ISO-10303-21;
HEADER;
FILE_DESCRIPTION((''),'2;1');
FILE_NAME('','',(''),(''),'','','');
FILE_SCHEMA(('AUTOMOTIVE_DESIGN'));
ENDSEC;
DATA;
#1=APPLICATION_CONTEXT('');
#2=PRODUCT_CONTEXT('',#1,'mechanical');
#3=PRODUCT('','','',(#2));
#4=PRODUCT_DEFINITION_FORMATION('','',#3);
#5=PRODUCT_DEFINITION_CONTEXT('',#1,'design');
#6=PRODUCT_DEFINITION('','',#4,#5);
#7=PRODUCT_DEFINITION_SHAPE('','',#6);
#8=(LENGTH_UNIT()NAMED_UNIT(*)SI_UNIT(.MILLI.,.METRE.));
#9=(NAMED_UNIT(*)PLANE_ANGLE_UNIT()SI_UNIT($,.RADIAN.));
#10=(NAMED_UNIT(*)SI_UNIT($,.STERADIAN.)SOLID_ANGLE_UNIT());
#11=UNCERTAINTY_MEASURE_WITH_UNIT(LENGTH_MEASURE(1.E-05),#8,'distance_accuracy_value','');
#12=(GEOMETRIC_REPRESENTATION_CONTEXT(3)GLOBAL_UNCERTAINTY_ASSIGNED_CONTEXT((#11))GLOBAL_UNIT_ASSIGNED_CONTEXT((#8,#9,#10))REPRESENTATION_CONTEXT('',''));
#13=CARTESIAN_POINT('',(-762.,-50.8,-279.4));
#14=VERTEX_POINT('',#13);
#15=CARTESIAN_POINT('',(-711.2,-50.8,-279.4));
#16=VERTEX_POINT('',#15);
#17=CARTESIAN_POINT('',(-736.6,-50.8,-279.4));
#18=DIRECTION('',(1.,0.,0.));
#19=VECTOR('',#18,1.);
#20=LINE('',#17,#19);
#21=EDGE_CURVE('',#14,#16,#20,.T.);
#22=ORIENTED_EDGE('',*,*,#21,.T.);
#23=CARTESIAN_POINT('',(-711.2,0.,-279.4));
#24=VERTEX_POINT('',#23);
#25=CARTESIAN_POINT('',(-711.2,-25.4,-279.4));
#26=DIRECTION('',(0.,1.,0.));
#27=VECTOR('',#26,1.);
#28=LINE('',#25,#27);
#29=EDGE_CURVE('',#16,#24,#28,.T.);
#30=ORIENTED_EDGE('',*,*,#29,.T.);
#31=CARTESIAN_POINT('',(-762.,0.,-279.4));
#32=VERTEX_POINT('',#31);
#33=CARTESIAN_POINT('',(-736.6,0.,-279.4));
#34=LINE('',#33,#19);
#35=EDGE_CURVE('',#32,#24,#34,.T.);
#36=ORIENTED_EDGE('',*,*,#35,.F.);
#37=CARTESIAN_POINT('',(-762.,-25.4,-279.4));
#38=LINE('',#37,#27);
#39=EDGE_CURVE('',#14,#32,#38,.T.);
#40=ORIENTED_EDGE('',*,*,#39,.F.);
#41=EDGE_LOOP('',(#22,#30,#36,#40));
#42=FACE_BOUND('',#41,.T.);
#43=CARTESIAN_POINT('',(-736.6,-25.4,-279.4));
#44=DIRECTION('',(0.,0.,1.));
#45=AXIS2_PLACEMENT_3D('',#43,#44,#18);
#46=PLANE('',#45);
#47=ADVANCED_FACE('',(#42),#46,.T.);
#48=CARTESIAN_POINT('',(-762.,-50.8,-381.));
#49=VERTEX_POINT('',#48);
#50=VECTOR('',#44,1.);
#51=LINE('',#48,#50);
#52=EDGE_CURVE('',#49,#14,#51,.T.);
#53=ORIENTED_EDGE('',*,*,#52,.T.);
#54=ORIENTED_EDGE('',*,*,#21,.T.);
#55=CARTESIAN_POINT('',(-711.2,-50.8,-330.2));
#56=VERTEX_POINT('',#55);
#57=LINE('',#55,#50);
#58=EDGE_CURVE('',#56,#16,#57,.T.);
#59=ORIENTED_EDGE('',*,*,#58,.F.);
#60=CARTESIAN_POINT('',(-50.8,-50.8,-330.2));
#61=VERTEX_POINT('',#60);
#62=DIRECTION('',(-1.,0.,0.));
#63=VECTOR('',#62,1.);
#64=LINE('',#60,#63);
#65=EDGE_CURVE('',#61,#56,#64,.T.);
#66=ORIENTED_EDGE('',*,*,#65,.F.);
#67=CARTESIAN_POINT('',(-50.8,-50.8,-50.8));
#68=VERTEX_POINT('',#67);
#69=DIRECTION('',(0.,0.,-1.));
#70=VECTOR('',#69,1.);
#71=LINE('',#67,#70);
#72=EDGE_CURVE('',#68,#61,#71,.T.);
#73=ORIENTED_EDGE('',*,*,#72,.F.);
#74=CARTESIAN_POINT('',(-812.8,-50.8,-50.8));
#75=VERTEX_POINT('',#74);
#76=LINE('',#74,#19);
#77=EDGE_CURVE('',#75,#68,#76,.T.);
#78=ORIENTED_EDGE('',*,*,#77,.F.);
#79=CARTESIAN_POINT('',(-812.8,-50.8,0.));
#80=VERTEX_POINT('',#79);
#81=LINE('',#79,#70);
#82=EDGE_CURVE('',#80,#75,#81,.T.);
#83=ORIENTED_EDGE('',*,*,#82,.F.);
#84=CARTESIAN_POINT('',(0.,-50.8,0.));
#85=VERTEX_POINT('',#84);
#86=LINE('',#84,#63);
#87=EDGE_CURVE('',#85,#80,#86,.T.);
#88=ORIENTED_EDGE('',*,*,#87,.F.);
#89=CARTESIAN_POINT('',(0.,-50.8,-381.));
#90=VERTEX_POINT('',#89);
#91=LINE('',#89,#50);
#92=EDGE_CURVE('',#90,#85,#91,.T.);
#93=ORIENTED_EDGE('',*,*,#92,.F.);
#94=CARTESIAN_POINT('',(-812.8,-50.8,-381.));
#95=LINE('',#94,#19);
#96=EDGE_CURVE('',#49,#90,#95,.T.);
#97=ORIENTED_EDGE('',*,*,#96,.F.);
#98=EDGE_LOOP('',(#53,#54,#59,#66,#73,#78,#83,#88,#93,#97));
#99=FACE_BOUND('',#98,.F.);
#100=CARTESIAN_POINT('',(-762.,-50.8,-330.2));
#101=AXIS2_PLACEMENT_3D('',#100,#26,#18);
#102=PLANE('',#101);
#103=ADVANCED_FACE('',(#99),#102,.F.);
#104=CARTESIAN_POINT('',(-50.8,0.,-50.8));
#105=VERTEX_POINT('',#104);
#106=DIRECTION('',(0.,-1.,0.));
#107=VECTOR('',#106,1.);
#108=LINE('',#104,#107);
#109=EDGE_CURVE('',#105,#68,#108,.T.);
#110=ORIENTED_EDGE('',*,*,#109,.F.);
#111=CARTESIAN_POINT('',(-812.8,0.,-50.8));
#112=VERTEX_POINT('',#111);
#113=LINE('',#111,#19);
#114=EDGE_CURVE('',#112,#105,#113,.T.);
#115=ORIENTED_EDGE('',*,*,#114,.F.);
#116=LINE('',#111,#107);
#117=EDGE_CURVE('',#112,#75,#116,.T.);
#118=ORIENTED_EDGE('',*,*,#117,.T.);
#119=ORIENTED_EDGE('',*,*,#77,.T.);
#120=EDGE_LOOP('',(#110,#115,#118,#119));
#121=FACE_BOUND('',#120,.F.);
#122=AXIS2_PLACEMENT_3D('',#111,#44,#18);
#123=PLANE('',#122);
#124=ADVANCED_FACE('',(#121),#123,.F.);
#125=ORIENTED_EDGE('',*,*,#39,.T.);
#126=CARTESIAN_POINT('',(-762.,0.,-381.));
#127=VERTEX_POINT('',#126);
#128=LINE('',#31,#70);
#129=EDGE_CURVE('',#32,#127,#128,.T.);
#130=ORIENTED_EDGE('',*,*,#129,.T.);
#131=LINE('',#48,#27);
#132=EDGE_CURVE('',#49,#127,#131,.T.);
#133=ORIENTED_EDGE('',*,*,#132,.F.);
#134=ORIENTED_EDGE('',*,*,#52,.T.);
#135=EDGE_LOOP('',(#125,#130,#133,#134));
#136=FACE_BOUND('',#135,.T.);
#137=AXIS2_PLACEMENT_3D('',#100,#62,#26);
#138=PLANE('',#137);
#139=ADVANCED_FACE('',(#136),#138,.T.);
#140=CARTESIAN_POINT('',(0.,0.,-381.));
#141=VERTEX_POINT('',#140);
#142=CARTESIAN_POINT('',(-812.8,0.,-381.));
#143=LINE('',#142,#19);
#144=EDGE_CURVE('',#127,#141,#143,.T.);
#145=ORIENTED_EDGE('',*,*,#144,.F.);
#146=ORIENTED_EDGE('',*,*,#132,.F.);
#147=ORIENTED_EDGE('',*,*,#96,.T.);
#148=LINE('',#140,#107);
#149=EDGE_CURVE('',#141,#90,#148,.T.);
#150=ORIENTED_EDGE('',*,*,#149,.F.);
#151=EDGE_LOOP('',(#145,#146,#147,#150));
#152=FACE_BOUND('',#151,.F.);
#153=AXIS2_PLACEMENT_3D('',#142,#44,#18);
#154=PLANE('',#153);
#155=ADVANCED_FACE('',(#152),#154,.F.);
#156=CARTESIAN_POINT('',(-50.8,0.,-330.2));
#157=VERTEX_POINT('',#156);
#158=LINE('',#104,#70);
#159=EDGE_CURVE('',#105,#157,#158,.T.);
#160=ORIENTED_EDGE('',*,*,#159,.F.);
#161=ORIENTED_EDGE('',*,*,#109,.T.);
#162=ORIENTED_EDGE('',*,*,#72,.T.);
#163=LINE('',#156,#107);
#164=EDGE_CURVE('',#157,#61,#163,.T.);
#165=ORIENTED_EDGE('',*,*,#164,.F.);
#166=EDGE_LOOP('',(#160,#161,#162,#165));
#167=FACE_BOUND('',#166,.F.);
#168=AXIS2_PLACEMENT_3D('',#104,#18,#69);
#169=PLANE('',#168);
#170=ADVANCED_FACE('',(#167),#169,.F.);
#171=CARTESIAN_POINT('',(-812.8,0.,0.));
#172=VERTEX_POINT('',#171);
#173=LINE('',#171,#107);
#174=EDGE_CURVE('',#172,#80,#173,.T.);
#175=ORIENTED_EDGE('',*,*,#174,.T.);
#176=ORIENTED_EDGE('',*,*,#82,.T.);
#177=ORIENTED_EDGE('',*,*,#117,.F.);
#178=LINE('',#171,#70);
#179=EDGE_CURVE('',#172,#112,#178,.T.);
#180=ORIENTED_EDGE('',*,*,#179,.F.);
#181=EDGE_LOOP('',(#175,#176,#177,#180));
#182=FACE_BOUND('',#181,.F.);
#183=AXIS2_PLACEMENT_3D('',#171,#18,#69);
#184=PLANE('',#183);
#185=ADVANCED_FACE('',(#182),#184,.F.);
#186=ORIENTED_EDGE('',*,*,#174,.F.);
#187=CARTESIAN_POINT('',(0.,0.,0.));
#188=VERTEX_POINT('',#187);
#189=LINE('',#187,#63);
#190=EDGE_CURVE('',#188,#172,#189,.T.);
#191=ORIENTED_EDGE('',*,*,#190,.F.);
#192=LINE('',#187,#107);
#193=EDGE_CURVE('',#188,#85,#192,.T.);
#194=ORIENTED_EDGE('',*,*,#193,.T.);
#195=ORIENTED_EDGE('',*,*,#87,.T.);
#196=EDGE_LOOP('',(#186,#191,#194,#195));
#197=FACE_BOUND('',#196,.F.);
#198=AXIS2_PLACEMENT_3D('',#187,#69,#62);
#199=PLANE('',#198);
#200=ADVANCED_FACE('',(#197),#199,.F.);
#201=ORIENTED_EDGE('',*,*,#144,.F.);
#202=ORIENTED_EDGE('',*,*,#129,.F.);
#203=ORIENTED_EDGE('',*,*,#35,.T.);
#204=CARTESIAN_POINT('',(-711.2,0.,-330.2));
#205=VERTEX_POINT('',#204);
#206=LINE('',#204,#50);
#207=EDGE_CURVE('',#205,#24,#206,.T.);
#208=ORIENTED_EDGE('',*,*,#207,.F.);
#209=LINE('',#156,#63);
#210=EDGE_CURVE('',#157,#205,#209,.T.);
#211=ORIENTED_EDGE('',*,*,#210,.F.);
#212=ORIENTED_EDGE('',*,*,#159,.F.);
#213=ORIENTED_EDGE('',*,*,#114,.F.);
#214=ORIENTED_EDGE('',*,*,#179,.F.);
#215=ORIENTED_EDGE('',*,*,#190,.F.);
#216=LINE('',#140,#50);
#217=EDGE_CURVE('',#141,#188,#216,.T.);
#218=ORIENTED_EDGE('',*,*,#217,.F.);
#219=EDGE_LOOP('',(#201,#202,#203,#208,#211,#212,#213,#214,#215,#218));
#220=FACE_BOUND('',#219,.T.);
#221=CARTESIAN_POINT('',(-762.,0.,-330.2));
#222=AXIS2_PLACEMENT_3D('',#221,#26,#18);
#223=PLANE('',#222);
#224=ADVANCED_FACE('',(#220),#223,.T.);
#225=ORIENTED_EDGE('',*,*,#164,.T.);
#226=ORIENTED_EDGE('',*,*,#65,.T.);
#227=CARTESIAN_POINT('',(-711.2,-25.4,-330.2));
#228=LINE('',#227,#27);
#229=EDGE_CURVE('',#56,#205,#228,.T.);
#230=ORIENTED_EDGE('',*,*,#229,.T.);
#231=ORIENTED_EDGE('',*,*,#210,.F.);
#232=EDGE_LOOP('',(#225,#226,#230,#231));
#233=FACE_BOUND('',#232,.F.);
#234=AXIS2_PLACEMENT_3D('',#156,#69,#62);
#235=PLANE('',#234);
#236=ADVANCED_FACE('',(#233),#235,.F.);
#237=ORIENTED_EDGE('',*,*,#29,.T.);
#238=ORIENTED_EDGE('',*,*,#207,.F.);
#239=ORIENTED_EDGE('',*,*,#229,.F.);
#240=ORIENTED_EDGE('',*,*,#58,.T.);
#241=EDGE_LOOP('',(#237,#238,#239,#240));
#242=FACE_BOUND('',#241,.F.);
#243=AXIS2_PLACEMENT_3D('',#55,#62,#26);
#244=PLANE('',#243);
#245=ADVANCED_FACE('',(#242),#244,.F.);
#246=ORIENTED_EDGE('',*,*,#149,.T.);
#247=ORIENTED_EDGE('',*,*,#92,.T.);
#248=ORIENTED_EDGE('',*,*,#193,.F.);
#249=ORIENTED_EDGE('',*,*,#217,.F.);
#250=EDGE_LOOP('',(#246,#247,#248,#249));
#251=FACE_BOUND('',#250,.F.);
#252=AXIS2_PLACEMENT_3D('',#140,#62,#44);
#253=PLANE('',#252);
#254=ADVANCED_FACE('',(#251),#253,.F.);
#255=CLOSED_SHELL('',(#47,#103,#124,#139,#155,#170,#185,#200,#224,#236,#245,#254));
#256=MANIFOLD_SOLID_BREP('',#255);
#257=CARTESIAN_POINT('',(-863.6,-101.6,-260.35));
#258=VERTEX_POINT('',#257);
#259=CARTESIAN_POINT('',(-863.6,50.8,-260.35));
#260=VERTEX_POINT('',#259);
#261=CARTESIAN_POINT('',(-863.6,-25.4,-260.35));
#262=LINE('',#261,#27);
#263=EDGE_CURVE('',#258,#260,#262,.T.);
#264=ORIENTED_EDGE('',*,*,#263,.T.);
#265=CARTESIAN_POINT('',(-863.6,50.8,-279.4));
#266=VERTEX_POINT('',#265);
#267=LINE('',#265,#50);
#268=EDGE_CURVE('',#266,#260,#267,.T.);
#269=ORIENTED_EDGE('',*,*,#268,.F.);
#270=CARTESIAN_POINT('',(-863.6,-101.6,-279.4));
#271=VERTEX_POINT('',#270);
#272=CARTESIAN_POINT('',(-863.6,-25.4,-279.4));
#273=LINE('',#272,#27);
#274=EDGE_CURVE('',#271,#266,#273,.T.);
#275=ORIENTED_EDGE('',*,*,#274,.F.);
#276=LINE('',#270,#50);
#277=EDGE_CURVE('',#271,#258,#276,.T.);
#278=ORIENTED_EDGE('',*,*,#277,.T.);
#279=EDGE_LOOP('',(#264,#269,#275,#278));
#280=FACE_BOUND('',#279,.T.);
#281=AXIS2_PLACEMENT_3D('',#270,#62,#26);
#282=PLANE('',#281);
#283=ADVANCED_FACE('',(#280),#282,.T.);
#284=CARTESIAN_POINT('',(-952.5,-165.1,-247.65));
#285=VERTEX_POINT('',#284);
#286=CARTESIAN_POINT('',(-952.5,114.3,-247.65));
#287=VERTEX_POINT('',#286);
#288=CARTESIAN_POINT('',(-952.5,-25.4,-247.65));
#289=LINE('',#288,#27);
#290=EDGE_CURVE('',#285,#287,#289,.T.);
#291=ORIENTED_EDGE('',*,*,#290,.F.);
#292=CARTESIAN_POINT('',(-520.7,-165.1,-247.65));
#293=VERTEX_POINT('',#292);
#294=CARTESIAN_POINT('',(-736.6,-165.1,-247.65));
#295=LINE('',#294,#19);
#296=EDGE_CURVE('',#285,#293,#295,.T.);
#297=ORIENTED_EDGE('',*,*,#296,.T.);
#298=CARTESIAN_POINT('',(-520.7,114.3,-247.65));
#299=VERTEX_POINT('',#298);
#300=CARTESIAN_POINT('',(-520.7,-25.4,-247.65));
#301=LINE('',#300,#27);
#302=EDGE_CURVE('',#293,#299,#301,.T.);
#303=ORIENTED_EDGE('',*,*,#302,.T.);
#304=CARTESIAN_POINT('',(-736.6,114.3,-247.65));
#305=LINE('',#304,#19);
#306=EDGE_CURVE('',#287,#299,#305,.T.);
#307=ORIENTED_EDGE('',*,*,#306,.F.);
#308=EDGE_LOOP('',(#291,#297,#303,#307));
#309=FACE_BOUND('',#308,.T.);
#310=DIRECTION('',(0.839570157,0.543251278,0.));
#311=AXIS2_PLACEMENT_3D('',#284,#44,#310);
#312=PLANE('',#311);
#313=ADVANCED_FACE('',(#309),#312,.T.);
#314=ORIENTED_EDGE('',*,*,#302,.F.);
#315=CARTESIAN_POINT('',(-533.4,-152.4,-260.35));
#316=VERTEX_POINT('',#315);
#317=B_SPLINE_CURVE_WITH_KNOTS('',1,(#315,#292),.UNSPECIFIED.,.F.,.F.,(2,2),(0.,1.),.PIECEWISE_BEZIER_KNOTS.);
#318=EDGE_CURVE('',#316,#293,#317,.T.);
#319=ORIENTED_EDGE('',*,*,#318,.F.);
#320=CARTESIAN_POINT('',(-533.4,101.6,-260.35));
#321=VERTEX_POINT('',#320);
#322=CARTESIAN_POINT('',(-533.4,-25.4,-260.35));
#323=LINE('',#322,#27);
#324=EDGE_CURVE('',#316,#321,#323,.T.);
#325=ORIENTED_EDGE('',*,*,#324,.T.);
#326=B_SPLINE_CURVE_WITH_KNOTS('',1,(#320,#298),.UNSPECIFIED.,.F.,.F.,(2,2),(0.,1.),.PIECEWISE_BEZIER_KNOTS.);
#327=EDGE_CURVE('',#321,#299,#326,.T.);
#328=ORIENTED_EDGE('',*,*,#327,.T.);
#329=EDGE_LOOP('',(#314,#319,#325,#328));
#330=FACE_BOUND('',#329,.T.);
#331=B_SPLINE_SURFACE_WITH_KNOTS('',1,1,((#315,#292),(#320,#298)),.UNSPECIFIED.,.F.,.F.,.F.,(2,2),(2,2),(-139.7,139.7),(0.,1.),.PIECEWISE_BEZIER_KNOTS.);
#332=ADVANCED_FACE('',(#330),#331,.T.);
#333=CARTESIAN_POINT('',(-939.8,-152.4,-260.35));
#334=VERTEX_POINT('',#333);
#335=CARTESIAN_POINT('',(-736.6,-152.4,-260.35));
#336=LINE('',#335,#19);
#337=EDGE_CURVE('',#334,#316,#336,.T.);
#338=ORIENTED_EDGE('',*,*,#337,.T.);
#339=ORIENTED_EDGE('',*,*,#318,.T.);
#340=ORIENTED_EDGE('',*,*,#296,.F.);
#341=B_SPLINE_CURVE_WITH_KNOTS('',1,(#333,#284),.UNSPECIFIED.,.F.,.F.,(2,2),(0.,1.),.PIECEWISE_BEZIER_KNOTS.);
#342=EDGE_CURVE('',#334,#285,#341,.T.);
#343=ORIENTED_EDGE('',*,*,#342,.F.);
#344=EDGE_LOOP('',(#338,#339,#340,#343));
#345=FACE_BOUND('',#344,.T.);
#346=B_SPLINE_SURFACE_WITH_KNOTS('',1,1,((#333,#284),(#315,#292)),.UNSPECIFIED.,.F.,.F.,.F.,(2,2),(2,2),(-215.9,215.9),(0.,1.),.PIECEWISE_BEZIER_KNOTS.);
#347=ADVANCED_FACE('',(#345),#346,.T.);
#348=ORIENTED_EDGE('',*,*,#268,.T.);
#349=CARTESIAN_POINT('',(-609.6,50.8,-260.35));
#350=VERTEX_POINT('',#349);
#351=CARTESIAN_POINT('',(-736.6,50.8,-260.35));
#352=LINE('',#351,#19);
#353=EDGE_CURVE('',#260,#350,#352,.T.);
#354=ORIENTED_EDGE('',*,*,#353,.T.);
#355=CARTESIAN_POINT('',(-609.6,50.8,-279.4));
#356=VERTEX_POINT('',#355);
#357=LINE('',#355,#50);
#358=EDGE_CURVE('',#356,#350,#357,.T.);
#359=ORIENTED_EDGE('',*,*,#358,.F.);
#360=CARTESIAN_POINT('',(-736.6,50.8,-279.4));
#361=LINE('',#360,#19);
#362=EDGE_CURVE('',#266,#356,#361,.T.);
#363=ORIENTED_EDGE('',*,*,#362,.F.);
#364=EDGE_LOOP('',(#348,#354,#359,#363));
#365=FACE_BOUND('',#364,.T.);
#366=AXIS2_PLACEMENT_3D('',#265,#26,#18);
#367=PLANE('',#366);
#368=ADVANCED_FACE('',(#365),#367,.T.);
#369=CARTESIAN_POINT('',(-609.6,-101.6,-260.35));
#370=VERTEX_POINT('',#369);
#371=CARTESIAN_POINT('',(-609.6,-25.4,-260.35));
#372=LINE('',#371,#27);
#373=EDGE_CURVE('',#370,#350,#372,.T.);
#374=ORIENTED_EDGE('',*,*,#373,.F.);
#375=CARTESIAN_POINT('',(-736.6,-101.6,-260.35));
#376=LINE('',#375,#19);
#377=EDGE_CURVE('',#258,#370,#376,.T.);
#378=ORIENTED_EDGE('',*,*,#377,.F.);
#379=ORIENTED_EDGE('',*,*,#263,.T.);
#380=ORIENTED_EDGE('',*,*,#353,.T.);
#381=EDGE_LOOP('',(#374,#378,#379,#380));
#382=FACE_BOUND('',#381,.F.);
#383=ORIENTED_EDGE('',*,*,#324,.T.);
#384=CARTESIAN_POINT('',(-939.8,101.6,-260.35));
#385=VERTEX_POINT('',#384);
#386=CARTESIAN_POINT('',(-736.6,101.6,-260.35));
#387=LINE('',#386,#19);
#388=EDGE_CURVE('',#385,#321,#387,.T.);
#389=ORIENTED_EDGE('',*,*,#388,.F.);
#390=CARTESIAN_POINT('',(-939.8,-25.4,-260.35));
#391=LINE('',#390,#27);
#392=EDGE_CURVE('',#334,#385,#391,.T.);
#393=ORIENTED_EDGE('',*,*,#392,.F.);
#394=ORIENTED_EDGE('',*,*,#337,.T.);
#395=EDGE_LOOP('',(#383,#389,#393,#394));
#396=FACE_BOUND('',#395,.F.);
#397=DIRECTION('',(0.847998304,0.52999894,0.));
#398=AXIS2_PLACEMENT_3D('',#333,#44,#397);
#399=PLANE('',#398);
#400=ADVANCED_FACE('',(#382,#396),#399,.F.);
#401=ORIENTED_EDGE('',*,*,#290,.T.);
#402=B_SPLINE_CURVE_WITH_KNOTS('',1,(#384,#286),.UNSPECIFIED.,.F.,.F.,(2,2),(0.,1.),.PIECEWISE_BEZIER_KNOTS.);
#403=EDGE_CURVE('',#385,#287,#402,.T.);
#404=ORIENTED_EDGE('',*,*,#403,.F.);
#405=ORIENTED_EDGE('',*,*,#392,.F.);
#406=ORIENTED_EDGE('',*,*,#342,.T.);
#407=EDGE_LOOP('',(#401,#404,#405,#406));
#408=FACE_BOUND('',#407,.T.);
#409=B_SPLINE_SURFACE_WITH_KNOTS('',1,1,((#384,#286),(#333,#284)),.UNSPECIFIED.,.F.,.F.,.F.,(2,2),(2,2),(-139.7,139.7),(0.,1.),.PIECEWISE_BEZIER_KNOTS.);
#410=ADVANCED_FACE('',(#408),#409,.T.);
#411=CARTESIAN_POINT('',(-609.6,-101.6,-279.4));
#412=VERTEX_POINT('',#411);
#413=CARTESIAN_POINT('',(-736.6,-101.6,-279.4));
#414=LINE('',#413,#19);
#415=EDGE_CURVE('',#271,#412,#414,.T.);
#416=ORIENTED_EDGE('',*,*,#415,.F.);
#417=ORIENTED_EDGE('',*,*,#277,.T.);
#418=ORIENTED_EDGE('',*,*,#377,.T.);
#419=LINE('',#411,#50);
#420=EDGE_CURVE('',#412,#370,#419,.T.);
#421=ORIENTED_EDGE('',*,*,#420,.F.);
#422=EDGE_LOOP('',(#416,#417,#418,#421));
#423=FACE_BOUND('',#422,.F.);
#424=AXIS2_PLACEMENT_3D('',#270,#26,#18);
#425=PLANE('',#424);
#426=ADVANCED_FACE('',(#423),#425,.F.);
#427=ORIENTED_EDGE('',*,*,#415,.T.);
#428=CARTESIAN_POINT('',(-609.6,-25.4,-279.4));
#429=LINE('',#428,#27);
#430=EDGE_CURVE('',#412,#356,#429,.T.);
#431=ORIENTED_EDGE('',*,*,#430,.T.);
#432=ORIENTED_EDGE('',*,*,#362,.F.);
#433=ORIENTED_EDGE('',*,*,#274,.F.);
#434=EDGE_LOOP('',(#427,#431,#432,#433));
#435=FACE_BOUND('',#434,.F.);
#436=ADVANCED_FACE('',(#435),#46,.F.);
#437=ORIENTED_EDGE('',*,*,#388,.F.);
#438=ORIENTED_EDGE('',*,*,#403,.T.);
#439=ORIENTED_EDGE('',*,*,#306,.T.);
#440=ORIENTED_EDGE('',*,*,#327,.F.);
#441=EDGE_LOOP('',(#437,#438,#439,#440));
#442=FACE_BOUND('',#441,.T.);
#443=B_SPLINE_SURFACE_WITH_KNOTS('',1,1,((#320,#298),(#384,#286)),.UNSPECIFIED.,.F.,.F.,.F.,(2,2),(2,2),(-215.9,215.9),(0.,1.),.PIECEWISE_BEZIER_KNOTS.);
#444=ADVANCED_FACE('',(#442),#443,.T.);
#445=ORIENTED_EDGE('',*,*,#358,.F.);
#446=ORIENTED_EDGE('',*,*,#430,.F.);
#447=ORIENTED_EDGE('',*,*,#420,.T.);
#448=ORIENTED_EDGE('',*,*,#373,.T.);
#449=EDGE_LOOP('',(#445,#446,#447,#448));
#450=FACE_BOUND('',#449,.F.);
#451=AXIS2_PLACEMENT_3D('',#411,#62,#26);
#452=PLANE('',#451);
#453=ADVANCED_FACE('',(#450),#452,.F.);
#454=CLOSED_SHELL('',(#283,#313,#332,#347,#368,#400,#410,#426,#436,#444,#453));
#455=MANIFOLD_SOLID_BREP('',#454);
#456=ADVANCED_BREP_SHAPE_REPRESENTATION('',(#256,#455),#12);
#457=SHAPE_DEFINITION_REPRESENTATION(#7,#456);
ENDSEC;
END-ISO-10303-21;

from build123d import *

# Parameters (mm, degrees)
F1_DEPTH = 50.8
F2_W     = 50.8
F2_H     = 50.8
F3_DEPTH = 50.8
F4_W     = 50.8
F4_H     = 50.8
F5_DEPTH = 50.8
F6_W     = 254
F6_H     = 152.4
F6_W_2   = 50.8
F6_H_2   = 50.8
F7_DEPTH = 19.05
F8_W     = 406.4
F8_H     = 254
F9_DEPTH = 12.7
F9_TAPER = -45


with BuildPart() as f1:
    # F0 (on Front) → F1 (new body)
    with BuildSketch(Plane.XZ):
        Polygon((0, -381), (0, 0), (-812.8, 0), (-812.8, -50.8), (-50.8, -50.8), (-50.8, -330.2), (-812.8, -330.2), (-812.8, -381), align=None)
    extrude(amount=F1_DEPTH)

    # F2 (on face) → F3 (cut)
    with BuildSketch(Plane.XZ.offset(50.8)):
        with Locations((-787.4, -355.6)):
            Rectangle(F2_W, F2_H)
    extrude(amount=-F3_DEPTH, mode=Mode.SUBTRACT)

    # F4 (on face) → F5 (join)
    with BuildSketch(Plane.XY.offset(-330.2)):
        with Locations((-736.6, -25.4)):
            Rectangle(F4_W, F4_H)
    extrude(amount=F5_DEPTH)


with BuildPart() as f7:
    # F6 (on face) → F7 (new body)
    with BuildSketch(Plane.XY.offset(-279.4)):
        with Locations((-736.6, -25.4)):
            Rectangle(F6_W, F6_H)
        with Locations((-736.6, -25.4)):
            Rectangle(F6_W_2, F6_H_2, mode=Mode.SUBTRACT)
        with Locations((-736.6, -25.4)):
            Rectangle(F6_W_2, F6_H_2)
    extrude(amount=F7_DEPTH)

    # F8 (on face) → F9 (join)
    with BuildSketch(Plane.XY.offset(-260.35)):
        with Locations((-736.6, -25.4)):
            Rectangle(F8_W, F8_H)
    extrude(amount=F9_DEPTH, taper=F9_TAPER)


solid = Compound([f1.part, f7.part])
